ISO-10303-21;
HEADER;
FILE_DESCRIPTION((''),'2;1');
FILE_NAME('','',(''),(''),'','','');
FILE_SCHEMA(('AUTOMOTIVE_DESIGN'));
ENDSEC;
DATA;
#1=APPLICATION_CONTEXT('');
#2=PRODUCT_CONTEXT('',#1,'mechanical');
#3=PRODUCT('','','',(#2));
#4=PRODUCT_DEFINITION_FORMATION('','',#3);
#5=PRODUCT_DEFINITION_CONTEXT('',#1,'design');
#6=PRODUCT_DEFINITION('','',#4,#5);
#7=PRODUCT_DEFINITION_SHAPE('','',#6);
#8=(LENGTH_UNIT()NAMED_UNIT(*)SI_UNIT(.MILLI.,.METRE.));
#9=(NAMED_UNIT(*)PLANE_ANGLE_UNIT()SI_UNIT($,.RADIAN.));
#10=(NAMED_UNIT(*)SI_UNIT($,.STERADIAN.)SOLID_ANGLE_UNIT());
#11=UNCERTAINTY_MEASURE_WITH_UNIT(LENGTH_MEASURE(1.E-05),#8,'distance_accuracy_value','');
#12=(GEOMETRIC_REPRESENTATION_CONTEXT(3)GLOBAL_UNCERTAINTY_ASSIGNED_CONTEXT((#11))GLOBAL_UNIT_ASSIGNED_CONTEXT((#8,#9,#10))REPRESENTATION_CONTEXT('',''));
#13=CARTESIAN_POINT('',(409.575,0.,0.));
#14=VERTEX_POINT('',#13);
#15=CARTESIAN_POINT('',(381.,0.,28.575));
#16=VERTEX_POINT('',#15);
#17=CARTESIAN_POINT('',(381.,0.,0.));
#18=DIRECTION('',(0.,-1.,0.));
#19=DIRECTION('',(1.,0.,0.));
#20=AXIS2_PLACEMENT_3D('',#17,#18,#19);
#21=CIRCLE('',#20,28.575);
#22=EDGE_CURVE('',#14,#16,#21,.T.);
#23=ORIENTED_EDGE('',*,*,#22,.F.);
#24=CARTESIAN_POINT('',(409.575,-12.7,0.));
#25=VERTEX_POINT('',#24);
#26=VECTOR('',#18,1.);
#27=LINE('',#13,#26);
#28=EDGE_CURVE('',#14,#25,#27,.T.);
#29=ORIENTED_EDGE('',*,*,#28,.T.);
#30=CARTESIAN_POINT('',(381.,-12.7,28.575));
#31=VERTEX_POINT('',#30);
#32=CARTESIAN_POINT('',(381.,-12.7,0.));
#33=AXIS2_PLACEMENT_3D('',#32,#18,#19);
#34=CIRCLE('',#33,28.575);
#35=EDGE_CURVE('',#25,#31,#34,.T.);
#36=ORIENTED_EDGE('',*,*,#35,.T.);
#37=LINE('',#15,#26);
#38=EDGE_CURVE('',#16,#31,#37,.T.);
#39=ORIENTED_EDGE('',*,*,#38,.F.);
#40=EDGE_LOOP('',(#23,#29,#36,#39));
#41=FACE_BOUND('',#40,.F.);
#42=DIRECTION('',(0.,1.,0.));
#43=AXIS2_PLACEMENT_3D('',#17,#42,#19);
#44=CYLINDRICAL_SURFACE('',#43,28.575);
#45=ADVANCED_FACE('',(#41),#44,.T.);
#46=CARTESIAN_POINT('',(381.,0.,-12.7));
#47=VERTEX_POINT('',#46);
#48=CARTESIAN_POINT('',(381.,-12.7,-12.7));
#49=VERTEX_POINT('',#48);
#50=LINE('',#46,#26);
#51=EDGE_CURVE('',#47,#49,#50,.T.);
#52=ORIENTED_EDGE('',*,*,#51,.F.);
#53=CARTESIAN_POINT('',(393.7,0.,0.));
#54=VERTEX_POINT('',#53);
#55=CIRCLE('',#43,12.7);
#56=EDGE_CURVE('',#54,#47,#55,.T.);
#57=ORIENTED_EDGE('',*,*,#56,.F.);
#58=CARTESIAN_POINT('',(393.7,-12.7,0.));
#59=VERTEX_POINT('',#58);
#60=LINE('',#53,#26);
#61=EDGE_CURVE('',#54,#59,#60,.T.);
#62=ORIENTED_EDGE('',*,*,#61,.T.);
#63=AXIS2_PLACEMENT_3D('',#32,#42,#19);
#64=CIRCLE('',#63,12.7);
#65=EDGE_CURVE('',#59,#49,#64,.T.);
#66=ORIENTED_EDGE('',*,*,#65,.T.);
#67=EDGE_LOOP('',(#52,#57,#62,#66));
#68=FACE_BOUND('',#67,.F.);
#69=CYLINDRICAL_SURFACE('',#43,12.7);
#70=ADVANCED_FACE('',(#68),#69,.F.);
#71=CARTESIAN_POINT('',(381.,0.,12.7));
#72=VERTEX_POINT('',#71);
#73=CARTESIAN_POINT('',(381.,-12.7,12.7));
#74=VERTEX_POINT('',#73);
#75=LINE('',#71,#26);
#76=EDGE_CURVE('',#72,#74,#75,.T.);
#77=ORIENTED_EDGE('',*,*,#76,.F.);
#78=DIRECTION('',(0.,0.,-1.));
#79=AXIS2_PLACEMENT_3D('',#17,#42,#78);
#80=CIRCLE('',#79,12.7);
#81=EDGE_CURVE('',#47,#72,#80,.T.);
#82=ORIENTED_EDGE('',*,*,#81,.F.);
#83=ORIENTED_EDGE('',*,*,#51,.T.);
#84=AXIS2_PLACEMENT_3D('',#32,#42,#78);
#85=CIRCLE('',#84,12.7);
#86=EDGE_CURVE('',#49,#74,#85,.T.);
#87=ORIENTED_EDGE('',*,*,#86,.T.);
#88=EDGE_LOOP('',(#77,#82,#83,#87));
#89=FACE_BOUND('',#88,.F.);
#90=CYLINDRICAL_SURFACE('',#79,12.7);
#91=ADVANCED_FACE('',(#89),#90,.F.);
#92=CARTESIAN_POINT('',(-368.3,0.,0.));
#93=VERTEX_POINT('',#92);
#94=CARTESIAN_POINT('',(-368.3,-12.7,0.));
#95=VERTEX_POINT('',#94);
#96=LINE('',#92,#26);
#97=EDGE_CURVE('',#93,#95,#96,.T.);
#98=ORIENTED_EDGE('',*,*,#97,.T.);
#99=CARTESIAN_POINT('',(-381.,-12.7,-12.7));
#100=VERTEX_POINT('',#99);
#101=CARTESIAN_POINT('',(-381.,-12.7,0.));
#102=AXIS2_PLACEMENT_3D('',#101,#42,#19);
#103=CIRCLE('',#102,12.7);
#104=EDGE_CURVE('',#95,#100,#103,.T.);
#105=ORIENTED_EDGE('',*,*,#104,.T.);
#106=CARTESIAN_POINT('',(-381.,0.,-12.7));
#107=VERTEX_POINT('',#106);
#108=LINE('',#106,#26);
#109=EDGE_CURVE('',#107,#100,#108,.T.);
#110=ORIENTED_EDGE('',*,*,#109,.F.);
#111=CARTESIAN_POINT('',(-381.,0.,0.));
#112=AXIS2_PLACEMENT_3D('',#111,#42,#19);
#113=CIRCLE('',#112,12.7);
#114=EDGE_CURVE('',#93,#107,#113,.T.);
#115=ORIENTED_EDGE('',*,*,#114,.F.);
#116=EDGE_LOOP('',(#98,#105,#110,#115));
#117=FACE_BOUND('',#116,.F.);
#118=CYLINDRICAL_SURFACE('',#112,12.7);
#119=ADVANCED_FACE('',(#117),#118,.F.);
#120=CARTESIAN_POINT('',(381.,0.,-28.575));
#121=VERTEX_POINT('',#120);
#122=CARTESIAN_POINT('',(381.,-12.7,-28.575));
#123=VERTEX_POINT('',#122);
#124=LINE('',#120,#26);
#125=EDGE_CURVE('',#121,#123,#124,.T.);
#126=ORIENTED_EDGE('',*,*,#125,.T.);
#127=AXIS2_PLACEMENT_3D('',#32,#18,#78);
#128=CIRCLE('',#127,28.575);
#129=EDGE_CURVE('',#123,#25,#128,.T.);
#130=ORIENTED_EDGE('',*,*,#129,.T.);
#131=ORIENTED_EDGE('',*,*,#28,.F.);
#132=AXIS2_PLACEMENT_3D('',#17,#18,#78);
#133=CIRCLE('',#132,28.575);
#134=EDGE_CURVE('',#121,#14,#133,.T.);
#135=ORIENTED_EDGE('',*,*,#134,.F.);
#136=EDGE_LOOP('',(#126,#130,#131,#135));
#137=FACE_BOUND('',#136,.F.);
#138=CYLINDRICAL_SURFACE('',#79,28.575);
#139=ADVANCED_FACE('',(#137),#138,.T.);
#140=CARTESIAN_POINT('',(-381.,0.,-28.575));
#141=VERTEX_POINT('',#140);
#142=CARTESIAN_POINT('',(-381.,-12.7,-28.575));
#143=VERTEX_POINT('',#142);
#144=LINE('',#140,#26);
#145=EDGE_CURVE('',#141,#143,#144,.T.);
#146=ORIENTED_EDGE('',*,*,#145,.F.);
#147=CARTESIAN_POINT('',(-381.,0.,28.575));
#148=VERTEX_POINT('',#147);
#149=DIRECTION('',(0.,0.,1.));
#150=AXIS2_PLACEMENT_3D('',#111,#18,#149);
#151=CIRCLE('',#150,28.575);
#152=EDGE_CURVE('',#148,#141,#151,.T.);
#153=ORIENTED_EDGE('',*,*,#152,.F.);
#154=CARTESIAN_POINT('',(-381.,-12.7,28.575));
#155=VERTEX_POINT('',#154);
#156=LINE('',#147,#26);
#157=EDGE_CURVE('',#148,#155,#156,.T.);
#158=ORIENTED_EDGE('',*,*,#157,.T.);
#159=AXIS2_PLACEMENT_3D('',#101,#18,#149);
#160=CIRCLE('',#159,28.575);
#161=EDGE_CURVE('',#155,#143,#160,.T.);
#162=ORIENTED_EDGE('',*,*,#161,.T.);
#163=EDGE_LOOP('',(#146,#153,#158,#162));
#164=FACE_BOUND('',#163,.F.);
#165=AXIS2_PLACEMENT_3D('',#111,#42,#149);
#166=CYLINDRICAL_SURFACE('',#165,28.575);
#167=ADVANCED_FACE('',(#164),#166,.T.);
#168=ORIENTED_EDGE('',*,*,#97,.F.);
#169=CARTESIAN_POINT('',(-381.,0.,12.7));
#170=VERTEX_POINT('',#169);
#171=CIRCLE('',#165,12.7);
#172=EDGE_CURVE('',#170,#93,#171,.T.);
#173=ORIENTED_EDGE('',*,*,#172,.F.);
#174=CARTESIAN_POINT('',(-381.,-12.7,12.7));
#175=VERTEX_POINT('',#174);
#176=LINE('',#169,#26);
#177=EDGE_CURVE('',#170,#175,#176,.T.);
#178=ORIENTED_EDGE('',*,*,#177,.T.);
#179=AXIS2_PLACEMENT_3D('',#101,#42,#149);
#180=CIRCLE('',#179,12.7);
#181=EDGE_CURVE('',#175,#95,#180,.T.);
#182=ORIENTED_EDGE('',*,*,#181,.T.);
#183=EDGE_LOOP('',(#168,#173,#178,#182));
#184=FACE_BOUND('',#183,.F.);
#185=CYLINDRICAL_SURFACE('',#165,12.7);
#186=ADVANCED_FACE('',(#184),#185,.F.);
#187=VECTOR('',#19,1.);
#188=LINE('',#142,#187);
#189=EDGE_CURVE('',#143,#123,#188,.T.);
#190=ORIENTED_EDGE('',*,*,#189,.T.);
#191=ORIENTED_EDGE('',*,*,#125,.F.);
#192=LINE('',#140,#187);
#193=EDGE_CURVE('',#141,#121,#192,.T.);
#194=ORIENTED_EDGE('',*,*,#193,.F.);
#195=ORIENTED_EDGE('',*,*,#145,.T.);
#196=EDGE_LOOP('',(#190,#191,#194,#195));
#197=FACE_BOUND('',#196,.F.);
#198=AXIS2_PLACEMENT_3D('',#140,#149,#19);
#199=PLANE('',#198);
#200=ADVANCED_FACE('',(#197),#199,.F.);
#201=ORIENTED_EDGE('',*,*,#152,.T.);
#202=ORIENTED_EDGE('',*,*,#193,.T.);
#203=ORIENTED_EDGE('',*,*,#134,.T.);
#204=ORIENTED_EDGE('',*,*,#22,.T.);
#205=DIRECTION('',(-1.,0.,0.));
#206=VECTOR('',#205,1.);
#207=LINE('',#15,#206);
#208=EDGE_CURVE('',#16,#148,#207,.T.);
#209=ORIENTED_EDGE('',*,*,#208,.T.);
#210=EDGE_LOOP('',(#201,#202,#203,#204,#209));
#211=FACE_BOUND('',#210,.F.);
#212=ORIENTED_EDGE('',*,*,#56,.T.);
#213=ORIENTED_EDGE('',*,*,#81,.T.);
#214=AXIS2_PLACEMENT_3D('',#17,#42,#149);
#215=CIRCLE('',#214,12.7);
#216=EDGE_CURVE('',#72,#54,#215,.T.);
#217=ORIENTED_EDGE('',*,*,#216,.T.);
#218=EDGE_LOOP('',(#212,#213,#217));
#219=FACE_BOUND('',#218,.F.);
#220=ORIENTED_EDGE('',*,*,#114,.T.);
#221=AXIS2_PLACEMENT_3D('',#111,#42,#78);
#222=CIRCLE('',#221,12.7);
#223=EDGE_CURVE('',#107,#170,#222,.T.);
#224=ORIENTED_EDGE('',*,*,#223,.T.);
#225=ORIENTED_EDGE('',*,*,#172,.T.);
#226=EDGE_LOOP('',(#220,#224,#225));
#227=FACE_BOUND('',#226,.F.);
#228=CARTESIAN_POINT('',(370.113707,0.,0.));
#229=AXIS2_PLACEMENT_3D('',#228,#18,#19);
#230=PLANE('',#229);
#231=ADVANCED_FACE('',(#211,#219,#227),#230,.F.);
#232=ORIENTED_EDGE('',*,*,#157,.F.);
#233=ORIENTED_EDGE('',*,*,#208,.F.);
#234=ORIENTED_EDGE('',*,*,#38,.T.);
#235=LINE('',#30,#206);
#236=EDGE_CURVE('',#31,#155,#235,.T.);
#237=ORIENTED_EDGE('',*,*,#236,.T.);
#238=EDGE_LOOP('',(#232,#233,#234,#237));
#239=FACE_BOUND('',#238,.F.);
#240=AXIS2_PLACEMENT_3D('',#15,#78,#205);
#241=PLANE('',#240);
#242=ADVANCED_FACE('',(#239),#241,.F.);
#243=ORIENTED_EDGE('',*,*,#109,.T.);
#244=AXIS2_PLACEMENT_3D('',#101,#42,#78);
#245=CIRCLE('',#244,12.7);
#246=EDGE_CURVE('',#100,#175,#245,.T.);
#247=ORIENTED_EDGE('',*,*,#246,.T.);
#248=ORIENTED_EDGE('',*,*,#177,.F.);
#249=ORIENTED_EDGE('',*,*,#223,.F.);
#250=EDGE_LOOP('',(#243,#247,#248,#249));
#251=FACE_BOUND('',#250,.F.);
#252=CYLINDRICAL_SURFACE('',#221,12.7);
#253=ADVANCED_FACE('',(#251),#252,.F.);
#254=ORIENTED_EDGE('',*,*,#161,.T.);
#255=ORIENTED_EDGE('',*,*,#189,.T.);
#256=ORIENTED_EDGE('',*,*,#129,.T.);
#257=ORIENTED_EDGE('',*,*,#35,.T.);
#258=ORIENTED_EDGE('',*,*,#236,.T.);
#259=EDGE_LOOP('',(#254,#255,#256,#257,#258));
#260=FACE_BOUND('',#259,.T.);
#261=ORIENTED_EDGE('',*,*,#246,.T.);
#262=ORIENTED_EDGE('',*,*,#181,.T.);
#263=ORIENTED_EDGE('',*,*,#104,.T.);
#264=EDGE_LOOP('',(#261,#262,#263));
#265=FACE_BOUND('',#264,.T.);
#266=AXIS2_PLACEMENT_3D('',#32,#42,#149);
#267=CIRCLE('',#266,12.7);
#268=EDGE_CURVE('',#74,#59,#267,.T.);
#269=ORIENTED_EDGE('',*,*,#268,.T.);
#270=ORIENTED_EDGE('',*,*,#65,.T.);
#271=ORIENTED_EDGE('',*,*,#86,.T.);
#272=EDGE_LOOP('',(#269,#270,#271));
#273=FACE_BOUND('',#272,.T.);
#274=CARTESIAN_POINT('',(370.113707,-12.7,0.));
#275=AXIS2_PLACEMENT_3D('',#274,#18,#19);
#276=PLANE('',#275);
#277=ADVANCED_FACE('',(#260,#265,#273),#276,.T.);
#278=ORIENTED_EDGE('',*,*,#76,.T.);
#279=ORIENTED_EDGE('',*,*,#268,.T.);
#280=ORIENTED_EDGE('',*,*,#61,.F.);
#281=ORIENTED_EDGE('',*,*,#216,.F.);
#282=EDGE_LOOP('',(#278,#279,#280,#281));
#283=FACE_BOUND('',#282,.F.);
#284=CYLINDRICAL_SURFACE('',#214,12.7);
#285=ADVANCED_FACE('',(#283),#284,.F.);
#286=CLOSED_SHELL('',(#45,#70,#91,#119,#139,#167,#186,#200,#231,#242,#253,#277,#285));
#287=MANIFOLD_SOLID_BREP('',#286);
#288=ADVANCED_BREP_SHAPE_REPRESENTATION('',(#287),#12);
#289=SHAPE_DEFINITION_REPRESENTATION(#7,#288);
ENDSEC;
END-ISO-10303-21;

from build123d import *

# Parameters (mm, degrees)
F1_DEPTH = 12.7


with BuildPart() as f1:
    # F0 (on Front) → F1 (new body)
    with BuildSketch(Plane.XZ):
        with BuildLine():
            ThreePointArc((381, 28.575), (352.425, 0), (381, -28.575))
            Line((381, -28.575), (381, -12.7))
            ThreePointArc((381, -12.7), (368.3, 0), (381, 12.7))
            Line((381, 12.7), (381, 28.575))
        make_face()
        with BuildLine():
            Line((-381, -28.575), (381, -28.575))
            ThreePointArc((381, -28.575), (352.425, 0), (381, 28.575))
            Line((381, 28.575), (-381, 28.575))
            ThreePointArc((-381, 28.575), (-360.7944237276, 20.2055762724), (-352.425, 0))
            ThreePointArc((-352.425, 0), (-360.7944237276, -20.2055762724), (-381, -28.575))
        make_face()
        with BuildLine():
            Line((381, -12.7), (381, -28.575))
            ThreePointArc((381, -28.575), (401.2055762724, -20.2055762724), (409.575, 0))
            ThreePointArc((409.575, 0), (401.2055762724, 20.2055762724), (381, 28.575))
            Line((381, 28.575), (381, 12.7))
            ThreePointArc((381, 12.7), (389.9802561211, 8.9802561211), (393.7, 0))
            ThreePointArc((393.7, 0), (389.9802561211, -8.9802561211), (381, -12.7))
        make_face()
        with BuildLine():
            ThreePointArc((-381, 28.575), (-409.575, 0), (-381, -28.575))
            Line((-381, -28.575), (-381, -12.7))
            ThreePointArc((-381, -12.7), (-393.7, 0), (-381, 12.7))
            Line((-381, 12.7), (-381, 28.575))
        make_face()
        with BuildLine():
            Line((-381, -12.7), (-381, -28.575))
            ThreePointArc((-381, -28.575), (-360.7944237276, -20.2055762724), (-352.425, 0))
            ThreePointArc((-352.425, 0), (-360.7944237276, 20.2055762724), (-381, 28.575))
            Line((-381, 28.575), (-381, 12.7))
            ThreePointArc((-381, 12.7), (-372.0197438789, 8.9802561211), (-368.3, 0))
            ThreePointArc((-368.3, 0), (-372.0197438789, -8.9802561211), (-381, -12.7))
        make_face()
    extrude(amount=F1_DEPTH)


solid = f1.part
